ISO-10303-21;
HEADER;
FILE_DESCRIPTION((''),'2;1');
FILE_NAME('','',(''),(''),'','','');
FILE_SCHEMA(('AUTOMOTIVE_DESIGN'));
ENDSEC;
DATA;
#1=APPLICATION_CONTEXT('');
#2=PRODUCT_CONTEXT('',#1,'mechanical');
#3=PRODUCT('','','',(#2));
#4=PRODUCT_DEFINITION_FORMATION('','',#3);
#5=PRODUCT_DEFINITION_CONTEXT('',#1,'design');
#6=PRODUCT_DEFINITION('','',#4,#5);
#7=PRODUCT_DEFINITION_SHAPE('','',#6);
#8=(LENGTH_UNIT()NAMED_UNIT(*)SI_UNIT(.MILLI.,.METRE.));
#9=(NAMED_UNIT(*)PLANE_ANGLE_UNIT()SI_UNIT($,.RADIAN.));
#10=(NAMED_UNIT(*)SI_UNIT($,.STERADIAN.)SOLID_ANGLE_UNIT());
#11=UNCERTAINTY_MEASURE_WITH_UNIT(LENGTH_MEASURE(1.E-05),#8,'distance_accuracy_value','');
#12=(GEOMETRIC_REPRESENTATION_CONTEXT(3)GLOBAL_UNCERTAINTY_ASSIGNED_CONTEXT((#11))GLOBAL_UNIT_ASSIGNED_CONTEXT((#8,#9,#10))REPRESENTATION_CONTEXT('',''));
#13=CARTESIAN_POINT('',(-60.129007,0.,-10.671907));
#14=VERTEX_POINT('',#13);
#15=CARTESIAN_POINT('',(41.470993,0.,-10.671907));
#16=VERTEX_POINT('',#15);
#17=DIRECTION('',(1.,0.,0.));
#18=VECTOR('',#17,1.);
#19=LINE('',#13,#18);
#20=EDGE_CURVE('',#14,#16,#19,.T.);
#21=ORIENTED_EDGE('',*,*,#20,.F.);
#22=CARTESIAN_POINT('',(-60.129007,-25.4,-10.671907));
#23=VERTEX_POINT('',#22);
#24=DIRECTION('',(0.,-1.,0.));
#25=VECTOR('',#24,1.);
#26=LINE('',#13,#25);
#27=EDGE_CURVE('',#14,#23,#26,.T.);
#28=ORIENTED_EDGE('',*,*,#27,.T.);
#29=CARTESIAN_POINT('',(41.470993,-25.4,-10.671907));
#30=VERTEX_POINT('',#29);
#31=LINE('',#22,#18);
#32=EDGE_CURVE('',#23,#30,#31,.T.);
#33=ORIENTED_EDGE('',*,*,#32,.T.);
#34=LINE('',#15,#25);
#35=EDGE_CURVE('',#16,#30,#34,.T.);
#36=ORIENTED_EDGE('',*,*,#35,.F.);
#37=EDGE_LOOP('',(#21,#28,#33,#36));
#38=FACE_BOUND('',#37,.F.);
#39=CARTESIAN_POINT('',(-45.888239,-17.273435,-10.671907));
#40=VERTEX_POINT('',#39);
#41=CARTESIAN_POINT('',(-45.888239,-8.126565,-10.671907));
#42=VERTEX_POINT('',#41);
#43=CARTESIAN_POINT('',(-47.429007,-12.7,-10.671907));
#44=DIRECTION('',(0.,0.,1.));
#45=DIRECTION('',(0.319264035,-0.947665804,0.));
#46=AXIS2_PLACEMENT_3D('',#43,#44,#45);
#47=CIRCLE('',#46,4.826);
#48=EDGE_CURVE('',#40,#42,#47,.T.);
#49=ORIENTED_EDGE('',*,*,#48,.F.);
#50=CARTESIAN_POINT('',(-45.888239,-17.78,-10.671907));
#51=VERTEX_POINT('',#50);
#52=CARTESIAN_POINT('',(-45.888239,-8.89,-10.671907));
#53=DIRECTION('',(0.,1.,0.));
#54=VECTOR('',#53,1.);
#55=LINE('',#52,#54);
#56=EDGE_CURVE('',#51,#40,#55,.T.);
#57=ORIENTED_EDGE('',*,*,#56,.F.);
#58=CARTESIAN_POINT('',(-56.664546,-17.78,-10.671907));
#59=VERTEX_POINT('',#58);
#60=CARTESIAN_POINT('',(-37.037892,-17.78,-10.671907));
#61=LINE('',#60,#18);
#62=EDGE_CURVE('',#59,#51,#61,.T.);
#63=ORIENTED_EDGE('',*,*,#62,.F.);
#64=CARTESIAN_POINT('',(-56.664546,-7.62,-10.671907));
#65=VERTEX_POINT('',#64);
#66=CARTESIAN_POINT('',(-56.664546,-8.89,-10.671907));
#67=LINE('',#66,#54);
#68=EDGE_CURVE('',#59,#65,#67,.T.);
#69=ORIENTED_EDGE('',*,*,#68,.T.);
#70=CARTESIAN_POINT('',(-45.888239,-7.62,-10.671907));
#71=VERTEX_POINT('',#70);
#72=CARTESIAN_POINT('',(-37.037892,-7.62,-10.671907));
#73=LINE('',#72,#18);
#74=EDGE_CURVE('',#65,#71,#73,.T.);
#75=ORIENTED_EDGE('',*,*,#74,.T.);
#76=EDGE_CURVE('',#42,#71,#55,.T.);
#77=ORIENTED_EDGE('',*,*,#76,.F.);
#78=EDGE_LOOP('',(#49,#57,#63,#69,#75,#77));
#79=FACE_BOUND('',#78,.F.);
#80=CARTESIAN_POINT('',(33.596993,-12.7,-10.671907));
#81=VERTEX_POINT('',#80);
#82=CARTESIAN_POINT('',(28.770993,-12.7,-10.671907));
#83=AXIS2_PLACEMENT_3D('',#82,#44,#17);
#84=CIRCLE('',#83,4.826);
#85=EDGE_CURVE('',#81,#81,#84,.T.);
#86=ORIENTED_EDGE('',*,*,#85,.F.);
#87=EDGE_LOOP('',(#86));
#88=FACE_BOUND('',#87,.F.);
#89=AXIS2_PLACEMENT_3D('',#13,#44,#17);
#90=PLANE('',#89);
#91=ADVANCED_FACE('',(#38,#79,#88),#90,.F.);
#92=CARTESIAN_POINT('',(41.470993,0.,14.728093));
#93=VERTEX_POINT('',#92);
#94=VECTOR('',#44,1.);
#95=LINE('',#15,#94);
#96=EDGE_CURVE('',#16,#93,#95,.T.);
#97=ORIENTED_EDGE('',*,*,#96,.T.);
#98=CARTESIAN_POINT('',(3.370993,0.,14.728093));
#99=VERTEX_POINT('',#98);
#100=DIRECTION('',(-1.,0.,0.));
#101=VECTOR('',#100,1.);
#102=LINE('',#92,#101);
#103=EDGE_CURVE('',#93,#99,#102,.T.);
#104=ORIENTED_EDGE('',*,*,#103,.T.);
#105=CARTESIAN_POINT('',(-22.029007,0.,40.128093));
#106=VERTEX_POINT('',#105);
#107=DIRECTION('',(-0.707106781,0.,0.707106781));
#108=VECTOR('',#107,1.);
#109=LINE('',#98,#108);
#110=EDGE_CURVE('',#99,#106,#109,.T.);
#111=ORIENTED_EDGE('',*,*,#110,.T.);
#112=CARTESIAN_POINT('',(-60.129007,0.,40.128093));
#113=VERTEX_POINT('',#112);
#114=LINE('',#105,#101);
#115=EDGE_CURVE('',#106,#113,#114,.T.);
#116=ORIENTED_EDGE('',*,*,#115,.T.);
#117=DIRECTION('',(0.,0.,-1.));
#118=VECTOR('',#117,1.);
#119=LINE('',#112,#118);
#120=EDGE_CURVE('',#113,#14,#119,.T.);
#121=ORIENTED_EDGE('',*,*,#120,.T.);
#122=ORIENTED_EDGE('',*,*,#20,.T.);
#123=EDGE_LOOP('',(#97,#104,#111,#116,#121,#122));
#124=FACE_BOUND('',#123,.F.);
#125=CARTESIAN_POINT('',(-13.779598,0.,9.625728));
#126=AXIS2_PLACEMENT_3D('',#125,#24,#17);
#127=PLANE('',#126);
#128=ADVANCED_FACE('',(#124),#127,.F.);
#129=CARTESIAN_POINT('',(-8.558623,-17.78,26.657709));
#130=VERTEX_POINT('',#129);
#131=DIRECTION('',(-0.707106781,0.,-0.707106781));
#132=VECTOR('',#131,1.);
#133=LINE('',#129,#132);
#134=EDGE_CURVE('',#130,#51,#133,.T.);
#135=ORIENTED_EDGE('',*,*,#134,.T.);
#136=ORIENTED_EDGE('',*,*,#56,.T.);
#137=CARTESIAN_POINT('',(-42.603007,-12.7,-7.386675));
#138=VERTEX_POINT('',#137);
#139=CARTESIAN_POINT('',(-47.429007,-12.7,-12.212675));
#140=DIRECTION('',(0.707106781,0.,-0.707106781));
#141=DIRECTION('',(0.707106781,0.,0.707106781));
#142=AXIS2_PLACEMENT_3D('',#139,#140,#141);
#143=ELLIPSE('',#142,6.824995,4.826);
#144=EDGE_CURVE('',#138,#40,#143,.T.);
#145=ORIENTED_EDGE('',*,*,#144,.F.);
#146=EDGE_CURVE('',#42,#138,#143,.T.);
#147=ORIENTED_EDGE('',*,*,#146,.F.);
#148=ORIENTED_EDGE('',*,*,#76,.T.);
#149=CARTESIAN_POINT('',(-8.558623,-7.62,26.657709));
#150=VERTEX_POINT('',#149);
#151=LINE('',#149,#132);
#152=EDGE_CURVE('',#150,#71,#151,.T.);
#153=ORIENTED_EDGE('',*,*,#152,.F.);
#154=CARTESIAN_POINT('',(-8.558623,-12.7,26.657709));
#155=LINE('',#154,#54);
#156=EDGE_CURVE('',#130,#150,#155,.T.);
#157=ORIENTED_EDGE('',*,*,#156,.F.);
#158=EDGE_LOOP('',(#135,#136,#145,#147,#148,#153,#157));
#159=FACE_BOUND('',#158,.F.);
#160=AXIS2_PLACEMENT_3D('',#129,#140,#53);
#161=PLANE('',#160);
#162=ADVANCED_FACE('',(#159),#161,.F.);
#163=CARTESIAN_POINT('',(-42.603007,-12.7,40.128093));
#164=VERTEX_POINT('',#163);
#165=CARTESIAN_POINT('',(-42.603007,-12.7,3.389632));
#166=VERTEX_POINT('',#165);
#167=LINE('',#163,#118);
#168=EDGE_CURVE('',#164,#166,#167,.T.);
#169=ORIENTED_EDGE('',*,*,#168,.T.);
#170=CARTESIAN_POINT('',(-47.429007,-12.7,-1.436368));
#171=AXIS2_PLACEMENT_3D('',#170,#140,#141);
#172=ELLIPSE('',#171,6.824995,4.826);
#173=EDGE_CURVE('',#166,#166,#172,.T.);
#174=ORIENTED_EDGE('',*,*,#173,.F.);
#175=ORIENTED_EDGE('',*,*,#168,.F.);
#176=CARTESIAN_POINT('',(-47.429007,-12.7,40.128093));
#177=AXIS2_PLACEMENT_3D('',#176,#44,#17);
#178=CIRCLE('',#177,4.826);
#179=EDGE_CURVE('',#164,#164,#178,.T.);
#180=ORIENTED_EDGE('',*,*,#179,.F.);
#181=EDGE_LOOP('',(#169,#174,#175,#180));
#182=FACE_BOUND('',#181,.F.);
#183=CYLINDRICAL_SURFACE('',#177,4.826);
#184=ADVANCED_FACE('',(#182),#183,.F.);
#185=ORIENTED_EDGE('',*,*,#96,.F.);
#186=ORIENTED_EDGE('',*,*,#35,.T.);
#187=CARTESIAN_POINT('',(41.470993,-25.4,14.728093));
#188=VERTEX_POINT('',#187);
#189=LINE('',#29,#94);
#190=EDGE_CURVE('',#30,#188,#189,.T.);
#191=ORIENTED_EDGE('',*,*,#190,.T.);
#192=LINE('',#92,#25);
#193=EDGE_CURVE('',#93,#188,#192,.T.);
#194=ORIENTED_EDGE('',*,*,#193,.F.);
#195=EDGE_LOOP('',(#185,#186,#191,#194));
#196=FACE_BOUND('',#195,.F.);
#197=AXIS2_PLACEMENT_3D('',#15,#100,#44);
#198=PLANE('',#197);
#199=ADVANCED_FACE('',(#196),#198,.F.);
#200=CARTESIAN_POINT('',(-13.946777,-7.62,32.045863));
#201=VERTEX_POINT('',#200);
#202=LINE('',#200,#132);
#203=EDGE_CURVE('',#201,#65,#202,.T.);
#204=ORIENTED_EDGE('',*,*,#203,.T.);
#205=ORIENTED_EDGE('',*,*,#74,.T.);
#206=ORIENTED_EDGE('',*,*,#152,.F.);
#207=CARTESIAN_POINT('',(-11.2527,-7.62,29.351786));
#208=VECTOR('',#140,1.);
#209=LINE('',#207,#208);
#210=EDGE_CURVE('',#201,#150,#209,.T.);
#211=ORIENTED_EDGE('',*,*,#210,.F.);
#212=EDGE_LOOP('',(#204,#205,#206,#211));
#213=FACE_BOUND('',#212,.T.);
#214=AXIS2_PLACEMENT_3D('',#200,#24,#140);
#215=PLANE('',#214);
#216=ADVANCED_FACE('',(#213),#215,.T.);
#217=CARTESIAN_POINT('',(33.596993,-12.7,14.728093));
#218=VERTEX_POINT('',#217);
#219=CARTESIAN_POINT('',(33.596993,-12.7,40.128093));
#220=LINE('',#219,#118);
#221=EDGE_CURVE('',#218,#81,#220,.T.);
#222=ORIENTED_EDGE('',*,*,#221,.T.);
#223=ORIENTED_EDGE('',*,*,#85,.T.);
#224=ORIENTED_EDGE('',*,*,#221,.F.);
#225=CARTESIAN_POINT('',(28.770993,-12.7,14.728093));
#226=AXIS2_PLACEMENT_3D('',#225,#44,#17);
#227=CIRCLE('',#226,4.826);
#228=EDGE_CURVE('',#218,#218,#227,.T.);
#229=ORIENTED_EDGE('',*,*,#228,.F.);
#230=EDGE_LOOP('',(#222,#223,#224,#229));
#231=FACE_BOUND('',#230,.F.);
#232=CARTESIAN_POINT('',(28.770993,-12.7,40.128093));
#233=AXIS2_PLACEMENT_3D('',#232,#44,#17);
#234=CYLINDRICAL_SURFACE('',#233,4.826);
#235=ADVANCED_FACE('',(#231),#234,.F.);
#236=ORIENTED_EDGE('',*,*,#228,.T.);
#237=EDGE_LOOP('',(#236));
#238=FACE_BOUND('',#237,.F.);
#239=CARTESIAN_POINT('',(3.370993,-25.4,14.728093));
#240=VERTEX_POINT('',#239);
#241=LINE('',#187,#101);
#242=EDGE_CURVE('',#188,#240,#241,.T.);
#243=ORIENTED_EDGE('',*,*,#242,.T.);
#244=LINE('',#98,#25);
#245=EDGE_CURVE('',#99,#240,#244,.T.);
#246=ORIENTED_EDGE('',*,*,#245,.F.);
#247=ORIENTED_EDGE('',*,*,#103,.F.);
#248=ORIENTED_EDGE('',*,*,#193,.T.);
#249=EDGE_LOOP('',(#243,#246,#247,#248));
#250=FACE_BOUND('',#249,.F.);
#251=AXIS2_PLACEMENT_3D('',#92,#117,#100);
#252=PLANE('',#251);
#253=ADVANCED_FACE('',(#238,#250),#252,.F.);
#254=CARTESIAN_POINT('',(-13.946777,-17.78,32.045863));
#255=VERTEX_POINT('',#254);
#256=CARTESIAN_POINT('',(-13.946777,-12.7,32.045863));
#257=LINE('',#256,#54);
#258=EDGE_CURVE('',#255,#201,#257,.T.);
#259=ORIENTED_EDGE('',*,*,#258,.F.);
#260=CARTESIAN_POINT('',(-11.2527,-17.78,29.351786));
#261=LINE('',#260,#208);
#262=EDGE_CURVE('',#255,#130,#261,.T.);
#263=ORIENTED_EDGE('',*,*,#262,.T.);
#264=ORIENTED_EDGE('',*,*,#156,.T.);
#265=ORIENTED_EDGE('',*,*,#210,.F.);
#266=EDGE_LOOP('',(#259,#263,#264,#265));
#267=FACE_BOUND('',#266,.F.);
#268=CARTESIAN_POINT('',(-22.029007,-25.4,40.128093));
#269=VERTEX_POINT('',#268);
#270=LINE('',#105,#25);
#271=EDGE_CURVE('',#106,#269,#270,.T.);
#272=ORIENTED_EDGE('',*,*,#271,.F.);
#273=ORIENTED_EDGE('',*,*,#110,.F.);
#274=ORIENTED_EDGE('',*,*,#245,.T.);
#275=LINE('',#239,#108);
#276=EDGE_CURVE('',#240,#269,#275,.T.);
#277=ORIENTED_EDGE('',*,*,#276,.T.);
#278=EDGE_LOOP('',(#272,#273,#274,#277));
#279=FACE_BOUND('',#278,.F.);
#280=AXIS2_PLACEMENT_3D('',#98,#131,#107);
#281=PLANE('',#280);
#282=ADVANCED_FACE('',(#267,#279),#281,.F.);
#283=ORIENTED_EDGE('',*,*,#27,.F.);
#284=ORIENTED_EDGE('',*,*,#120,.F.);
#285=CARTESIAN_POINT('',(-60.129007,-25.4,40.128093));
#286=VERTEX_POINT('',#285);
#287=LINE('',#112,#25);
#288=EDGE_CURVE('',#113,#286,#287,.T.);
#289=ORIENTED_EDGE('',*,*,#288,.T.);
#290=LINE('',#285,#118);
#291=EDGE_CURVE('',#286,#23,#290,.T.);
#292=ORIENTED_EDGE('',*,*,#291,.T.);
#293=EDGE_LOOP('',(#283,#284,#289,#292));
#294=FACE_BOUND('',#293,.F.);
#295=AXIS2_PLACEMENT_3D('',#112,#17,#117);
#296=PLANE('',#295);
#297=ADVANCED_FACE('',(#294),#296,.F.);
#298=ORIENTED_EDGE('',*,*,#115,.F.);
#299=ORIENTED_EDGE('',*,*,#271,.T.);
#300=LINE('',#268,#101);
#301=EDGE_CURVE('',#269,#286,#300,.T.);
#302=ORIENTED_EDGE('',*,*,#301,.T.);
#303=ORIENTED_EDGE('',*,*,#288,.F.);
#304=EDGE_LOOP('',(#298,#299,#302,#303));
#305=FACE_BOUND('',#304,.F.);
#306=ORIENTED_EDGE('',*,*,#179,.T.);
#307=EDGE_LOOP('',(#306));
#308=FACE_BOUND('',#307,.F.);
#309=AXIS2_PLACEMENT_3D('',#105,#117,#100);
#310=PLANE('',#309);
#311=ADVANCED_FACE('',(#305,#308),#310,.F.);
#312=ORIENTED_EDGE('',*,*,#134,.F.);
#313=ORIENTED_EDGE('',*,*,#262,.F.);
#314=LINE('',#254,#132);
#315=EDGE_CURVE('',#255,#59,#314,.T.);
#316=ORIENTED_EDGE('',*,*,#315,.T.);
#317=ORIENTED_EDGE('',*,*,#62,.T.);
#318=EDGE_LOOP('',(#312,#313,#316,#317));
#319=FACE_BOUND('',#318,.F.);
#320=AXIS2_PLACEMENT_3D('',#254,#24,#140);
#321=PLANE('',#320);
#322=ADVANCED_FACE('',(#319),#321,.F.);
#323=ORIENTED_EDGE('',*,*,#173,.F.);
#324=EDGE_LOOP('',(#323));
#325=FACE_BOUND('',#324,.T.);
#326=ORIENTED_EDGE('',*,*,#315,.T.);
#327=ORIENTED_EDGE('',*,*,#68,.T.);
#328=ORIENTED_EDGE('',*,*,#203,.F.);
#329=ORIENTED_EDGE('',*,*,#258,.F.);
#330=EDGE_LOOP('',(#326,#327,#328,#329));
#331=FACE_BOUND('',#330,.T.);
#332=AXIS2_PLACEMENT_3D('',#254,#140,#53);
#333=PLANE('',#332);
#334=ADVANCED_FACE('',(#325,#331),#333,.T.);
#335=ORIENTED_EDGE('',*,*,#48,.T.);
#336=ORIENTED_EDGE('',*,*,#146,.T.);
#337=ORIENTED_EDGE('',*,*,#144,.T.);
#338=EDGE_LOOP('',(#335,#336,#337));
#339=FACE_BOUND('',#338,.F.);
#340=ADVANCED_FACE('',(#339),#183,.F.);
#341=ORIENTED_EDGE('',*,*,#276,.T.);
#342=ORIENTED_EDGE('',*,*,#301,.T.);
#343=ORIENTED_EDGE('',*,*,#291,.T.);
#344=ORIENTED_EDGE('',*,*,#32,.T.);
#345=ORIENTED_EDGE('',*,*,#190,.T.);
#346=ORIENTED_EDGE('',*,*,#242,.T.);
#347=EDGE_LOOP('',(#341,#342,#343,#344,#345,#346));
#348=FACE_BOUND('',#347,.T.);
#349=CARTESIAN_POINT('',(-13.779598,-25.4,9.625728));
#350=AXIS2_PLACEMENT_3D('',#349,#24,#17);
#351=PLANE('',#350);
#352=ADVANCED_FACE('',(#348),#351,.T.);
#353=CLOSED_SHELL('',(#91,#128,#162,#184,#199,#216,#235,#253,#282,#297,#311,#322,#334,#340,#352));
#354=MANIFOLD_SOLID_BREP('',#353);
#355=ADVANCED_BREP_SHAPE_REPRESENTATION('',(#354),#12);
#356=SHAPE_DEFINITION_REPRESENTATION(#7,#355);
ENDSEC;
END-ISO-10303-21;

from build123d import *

# Parameters (mm, degrees)
F1_DEPTH = 25.4
F2_R     = 4.826
F3_DEPTH = 50.801
F4_W     = 7.62
F4_H     = 10.16
F5_DEPTH = 62.862793


with BuildPart() as f1:
    # F0 (on Front) → F1 (new body)
    with BuildSketch(Plane.XZ):
        Polygon((-22.029007, 40.128093), (-60.129007, 40.128093), (-60.129007, -10.671907), (41.470993, -10.671907), (41.470993, 14.728093), (3.370993, 14.728093), align=None)
    extrude(amount=F1_DEPTH)

    # F2 (on face) → F3 (cut, through all)
    with BuildSketch(Plane.XY.offset(40.128093)):
        with Locations((-47.429007, -12.7)):
            Circle(F2_R)
        with Locations((28.770993, -12.7)):
            Circle(F2_R)
    extrude(amount=-F3_DEPTH, mode=Mode.SUBTRACT)

    # F4 (on face) → F5 (cut, through all)
    with BuildSketch(Plane(origin=(9.049543, 0, 9.049543), x_dir=(0.707107, 0, -0.707107), z_dir=(0.707107, 0, 0.707107))):
        with Locations((-28.711707, -12.7)):
            Rectangle(F4_W, F4_H)
    extrude(amount=-F5_DEPTH, mode=Mode.SUBTRACT)


solid = f1.part
